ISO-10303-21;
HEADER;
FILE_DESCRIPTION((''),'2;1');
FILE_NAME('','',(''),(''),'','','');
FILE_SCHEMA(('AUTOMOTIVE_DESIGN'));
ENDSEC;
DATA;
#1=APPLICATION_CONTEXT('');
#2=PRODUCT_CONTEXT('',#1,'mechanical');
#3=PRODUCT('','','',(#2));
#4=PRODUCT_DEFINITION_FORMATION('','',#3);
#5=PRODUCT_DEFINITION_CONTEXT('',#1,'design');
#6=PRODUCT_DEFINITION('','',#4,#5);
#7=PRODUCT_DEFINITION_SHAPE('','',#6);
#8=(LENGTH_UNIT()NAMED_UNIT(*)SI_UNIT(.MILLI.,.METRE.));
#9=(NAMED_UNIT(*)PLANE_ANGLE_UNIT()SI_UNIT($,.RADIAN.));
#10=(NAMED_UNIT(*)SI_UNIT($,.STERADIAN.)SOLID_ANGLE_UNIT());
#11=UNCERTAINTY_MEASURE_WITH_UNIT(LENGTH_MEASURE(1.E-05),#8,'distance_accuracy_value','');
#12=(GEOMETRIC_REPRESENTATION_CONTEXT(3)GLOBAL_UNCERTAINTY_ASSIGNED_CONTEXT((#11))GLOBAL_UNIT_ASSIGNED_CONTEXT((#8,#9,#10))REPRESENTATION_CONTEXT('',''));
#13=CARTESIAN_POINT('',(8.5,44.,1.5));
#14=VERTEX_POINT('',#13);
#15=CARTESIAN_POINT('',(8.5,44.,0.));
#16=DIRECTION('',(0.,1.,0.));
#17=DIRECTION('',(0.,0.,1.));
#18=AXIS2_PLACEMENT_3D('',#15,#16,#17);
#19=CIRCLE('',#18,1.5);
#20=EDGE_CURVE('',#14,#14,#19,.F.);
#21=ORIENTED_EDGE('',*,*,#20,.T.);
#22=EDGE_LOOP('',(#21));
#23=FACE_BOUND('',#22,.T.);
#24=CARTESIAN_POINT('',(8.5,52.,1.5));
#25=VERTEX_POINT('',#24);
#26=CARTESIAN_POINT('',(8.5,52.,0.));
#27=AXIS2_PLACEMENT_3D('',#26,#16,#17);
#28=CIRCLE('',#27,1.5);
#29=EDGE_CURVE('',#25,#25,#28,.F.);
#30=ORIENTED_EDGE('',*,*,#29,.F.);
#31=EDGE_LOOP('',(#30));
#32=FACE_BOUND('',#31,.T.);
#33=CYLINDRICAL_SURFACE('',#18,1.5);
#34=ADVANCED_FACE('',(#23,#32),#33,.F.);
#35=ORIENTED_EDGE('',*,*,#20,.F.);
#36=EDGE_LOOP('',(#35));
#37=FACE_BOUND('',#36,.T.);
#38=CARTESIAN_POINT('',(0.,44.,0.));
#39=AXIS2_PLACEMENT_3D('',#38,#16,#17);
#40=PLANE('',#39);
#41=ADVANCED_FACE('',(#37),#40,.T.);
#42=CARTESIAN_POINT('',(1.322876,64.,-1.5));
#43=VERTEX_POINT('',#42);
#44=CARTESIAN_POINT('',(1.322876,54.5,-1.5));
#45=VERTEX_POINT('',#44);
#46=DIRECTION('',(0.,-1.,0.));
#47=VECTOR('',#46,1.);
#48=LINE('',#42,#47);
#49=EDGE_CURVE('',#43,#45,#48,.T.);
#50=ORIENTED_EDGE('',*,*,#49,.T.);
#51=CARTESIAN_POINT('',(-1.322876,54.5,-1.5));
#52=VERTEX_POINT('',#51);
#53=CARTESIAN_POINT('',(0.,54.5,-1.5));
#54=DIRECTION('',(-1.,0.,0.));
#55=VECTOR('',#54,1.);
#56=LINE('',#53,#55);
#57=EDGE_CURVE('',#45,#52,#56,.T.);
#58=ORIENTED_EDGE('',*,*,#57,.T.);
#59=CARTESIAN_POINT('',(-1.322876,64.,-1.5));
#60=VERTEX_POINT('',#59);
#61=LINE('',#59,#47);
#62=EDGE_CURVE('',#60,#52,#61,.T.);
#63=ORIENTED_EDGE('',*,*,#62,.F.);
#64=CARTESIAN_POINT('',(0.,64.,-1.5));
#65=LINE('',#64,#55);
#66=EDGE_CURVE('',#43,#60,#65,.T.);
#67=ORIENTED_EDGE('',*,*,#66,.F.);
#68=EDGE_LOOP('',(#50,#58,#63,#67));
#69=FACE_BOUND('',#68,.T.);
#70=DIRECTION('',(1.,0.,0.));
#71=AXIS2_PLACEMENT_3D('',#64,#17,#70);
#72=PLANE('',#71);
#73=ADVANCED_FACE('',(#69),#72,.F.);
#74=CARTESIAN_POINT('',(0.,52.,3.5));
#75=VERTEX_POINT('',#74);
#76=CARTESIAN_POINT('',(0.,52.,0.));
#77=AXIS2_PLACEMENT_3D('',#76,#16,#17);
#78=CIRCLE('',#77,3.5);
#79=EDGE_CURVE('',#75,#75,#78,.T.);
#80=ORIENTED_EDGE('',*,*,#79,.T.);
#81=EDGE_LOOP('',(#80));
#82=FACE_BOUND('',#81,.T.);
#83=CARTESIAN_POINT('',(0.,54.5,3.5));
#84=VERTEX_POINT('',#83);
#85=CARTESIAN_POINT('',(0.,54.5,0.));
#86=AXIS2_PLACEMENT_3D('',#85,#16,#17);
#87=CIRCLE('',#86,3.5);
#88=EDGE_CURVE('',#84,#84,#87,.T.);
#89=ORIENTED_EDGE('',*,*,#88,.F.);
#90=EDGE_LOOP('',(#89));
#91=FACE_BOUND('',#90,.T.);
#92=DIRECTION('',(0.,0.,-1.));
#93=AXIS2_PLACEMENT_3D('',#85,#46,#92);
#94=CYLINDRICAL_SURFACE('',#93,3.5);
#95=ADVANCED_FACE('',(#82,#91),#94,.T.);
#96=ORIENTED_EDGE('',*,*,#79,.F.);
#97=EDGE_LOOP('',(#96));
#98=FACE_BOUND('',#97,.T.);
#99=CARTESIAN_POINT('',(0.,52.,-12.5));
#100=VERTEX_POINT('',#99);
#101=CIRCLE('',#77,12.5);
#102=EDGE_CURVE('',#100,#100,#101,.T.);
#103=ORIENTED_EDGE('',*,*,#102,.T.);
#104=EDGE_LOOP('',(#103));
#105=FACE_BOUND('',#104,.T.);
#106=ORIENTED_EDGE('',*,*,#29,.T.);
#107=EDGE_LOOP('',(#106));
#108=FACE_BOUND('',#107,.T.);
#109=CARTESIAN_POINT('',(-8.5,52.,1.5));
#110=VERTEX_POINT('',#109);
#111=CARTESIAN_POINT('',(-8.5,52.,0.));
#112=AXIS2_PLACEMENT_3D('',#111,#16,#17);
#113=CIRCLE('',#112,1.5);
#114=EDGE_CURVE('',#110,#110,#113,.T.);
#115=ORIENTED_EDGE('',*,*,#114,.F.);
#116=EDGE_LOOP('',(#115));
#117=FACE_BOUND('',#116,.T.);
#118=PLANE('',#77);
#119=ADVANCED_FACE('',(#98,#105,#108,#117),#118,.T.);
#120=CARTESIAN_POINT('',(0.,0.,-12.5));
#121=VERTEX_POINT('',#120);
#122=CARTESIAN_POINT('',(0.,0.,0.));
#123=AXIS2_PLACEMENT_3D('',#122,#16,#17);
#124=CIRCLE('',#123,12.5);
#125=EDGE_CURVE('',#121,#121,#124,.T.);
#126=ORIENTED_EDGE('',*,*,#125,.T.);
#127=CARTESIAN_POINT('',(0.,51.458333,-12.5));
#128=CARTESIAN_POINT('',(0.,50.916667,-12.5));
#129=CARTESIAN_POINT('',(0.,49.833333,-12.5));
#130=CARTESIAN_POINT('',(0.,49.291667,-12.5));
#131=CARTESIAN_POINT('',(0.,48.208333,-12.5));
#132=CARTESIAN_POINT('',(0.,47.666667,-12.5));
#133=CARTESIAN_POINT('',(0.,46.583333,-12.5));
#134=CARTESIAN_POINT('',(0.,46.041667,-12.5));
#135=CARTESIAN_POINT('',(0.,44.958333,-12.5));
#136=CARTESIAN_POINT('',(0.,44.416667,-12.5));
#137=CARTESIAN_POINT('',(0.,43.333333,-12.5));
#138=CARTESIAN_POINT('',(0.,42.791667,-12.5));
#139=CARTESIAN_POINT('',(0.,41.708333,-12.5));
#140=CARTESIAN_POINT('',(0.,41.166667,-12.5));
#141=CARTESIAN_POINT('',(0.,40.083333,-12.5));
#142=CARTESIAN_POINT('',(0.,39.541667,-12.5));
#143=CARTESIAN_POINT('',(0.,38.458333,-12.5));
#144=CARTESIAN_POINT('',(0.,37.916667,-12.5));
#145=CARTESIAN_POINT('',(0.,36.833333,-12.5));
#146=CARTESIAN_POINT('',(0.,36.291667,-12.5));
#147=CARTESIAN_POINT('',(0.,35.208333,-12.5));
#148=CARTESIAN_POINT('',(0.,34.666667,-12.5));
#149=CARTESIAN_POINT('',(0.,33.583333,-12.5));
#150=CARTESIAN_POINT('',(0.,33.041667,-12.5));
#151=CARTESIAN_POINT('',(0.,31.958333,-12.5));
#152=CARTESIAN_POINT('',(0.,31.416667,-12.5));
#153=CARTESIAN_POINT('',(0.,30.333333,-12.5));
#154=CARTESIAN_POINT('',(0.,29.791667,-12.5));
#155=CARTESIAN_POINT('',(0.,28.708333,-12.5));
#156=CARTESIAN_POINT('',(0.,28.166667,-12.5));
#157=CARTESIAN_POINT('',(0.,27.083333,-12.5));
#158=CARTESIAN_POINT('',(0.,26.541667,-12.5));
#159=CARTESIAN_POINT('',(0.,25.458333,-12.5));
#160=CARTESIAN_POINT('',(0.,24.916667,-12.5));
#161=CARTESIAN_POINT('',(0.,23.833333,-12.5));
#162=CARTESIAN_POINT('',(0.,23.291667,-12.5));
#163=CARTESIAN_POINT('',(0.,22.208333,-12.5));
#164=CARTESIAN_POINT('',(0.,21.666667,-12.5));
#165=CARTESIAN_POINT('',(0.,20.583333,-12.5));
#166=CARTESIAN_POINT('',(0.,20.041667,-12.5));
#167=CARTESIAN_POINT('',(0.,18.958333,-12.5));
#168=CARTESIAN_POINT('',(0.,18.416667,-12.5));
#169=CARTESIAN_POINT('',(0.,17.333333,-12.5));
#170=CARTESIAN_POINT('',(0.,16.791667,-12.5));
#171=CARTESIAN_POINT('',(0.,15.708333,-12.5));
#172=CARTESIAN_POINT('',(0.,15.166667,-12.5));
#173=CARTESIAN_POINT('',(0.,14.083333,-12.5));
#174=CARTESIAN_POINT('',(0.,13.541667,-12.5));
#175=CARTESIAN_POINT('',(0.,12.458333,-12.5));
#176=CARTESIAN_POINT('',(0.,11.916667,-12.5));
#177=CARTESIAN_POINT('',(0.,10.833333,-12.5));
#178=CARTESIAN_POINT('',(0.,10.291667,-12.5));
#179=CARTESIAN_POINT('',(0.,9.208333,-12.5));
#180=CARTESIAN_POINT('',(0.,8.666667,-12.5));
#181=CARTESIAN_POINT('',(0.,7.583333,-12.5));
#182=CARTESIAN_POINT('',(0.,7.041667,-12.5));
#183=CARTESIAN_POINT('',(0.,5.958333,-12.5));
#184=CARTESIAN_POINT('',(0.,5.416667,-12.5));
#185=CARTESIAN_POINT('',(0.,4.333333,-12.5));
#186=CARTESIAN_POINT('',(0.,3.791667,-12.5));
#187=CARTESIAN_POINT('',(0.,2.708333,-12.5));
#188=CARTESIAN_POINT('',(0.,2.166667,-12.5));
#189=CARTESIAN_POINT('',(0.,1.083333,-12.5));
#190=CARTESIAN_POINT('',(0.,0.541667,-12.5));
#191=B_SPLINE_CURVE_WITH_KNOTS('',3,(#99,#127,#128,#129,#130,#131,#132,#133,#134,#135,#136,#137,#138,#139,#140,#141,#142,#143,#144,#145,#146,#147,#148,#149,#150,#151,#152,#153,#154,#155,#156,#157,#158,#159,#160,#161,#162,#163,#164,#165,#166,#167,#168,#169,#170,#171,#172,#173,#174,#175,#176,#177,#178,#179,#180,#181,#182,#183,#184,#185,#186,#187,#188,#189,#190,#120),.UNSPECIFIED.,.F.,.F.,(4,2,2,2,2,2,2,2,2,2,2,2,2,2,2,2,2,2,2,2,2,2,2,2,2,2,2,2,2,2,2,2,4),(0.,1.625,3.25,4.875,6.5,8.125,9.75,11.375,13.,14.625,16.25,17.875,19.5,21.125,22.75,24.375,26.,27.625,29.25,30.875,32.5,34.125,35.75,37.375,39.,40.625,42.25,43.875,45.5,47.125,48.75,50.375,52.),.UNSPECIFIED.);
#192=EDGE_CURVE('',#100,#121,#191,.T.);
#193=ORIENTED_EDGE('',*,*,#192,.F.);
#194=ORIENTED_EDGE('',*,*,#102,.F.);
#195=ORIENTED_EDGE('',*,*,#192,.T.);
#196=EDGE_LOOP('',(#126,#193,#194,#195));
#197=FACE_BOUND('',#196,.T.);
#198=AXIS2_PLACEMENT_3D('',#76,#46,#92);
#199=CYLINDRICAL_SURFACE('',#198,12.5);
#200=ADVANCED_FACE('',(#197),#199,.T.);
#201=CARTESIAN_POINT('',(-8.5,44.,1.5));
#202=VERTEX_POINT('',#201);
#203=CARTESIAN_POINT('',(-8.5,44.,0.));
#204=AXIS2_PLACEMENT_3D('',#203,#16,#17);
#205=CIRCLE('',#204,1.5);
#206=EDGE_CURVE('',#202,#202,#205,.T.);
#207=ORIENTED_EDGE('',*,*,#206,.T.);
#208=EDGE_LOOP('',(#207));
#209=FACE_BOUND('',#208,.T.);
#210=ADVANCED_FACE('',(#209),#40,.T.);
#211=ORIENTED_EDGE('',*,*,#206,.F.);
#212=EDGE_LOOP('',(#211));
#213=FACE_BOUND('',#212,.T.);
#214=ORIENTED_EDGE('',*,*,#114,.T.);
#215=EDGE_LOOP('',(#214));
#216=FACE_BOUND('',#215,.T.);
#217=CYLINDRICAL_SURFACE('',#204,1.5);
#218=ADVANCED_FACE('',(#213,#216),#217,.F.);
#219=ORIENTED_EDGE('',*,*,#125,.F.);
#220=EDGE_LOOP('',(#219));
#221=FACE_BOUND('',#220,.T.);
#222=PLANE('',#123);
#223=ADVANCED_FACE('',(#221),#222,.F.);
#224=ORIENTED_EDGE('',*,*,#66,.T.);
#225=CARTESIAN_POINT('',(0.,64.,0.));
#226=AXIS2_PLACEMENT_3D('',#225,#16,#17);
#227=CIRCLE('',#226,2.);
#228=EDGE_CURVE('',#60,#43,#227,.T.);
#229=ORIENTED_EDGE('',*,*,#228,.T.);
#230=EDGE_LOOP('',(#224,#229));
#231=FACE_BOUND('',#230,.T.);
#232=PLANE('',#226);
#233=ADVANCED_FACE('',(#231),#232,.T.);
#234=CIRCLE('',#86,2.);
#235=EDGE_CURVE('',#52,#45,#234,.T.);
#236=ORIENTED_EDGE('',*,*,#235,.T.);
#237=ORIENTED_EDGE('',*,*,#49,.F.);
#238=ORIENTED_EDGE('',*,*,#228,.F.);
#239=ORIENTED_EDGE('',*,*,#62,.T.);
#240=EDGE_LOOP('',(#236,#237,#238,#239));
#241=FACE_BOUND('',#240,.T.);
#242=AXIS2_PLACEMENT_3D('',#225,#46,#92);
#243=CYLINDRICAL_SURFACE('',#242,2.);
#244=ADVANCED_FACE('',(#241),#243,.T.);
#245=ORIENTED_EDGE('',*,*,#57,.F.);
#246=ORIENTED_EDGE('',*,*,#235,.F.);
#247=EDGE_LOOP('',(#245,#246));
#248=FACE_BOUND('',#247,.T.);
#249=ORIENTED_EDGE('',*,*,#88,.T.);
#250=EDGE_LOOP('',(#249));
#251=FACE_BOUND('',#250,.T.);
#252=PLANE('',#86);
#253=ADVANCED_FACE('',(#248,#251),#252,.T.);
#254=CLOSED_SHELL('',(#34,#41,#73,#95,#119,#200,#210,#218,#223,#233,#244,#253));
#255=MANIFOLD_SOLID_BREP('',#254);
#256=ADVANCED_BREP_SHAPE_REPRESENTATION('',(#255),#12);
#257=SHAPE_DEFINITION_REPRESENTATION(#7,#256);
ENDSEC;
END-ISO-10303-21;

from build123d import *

# Parameters (mm, degrees)
SKETCH1_R           = 12.5
BOSS_EXTRUDE1_DEPTH = 52
SKETCH2_R           = 3.5
BOSS_EXTRUDE2_DEPTH = 2.5
BOSS_EXTRUDE3_DEPTH = 9.5
SKETCH4_R           = 1.5
CUT_EXTRUDE1_DEPTH  = 8


with BuildPart() as part:
    # Sketch1 → Boss-Extrude1 (new body)
    with BuildSketch(Plane(origin=(0, 0, 0), x_dir=(1, 0, 0), z_dir=(0, 1, 0))):
        with Locations(Location((0, 0, 0), (0, 0, 90))):
            Circle(SKETCH1_R)
    extrude(amount=BOSS_EXTRUDE1_DEPTH)

    # Sketch2 → Boss-Extrude2 (add)
    with BuildSketch(Plane(origin=(0, 52, 0), x_dir=(1, 0, 0), z_dir=(0, 1, 0))):
        with Locations(Location((0, 0, 0), (0, 0, 270))):
            Circle(SKETCH2_R)
    extrude(amount=BOSS_EXTRUDE2_DEPTH)

    # Sketch3 → Boss-Extrude3 (add)
    with BuildSketch(Plane(origin=(0, 54.5, 0), x_dir=(1, 0, 0), z_dir=(0, 1, 0))):
        with BuildLine():
            ThreePointArc((-1.322875656, 1.5), (-1.870828693, -0.707106781), (0, -2))
            Line((0, -2), (0, 1.5))
            Line((0, 1.5), (-1.322875656, 1.5))
        make_face()
        with BuildLine():
            Line((0, 1.5), (0, -2))
            ThreePointArc((0, -2), (1.870828693, -0.707106781), (1.322875656, 1.5))
            Line((1.322875656, 1.5), (0, 1.5))
        make_face()
    extrude(amount=BOSS_EXTRUDE3_DEPTH)

    # Sketch4 → Cut-Extrude1 (cut)
    with BuildSketch(Plane(origin=(0, 52, 0), x_dir=(1, 0, 0), z_dir=(0, 1, 0))):
        with BuildLine():
            ThreePointArc((-7, 0), (-8.5, 1.5), (-10, 0))
            Line((-10, 0), (-7, 0))
        make_face()
        with BuildLine():
            Line((-7, 0), (-10, 0))
            ThreePointArc((-10, 0), (-8.5, -1.5), (-7, 0))
        make_face()
        with Locations(Location((8.5, 0, 0), (0, 0, 270))):
            Circle(SKETCH4_R)
    extrude(amount=-CUT_EXTRUDE1_DEPTH, mode=Mode.SUBTRACT)


solid = part.part
